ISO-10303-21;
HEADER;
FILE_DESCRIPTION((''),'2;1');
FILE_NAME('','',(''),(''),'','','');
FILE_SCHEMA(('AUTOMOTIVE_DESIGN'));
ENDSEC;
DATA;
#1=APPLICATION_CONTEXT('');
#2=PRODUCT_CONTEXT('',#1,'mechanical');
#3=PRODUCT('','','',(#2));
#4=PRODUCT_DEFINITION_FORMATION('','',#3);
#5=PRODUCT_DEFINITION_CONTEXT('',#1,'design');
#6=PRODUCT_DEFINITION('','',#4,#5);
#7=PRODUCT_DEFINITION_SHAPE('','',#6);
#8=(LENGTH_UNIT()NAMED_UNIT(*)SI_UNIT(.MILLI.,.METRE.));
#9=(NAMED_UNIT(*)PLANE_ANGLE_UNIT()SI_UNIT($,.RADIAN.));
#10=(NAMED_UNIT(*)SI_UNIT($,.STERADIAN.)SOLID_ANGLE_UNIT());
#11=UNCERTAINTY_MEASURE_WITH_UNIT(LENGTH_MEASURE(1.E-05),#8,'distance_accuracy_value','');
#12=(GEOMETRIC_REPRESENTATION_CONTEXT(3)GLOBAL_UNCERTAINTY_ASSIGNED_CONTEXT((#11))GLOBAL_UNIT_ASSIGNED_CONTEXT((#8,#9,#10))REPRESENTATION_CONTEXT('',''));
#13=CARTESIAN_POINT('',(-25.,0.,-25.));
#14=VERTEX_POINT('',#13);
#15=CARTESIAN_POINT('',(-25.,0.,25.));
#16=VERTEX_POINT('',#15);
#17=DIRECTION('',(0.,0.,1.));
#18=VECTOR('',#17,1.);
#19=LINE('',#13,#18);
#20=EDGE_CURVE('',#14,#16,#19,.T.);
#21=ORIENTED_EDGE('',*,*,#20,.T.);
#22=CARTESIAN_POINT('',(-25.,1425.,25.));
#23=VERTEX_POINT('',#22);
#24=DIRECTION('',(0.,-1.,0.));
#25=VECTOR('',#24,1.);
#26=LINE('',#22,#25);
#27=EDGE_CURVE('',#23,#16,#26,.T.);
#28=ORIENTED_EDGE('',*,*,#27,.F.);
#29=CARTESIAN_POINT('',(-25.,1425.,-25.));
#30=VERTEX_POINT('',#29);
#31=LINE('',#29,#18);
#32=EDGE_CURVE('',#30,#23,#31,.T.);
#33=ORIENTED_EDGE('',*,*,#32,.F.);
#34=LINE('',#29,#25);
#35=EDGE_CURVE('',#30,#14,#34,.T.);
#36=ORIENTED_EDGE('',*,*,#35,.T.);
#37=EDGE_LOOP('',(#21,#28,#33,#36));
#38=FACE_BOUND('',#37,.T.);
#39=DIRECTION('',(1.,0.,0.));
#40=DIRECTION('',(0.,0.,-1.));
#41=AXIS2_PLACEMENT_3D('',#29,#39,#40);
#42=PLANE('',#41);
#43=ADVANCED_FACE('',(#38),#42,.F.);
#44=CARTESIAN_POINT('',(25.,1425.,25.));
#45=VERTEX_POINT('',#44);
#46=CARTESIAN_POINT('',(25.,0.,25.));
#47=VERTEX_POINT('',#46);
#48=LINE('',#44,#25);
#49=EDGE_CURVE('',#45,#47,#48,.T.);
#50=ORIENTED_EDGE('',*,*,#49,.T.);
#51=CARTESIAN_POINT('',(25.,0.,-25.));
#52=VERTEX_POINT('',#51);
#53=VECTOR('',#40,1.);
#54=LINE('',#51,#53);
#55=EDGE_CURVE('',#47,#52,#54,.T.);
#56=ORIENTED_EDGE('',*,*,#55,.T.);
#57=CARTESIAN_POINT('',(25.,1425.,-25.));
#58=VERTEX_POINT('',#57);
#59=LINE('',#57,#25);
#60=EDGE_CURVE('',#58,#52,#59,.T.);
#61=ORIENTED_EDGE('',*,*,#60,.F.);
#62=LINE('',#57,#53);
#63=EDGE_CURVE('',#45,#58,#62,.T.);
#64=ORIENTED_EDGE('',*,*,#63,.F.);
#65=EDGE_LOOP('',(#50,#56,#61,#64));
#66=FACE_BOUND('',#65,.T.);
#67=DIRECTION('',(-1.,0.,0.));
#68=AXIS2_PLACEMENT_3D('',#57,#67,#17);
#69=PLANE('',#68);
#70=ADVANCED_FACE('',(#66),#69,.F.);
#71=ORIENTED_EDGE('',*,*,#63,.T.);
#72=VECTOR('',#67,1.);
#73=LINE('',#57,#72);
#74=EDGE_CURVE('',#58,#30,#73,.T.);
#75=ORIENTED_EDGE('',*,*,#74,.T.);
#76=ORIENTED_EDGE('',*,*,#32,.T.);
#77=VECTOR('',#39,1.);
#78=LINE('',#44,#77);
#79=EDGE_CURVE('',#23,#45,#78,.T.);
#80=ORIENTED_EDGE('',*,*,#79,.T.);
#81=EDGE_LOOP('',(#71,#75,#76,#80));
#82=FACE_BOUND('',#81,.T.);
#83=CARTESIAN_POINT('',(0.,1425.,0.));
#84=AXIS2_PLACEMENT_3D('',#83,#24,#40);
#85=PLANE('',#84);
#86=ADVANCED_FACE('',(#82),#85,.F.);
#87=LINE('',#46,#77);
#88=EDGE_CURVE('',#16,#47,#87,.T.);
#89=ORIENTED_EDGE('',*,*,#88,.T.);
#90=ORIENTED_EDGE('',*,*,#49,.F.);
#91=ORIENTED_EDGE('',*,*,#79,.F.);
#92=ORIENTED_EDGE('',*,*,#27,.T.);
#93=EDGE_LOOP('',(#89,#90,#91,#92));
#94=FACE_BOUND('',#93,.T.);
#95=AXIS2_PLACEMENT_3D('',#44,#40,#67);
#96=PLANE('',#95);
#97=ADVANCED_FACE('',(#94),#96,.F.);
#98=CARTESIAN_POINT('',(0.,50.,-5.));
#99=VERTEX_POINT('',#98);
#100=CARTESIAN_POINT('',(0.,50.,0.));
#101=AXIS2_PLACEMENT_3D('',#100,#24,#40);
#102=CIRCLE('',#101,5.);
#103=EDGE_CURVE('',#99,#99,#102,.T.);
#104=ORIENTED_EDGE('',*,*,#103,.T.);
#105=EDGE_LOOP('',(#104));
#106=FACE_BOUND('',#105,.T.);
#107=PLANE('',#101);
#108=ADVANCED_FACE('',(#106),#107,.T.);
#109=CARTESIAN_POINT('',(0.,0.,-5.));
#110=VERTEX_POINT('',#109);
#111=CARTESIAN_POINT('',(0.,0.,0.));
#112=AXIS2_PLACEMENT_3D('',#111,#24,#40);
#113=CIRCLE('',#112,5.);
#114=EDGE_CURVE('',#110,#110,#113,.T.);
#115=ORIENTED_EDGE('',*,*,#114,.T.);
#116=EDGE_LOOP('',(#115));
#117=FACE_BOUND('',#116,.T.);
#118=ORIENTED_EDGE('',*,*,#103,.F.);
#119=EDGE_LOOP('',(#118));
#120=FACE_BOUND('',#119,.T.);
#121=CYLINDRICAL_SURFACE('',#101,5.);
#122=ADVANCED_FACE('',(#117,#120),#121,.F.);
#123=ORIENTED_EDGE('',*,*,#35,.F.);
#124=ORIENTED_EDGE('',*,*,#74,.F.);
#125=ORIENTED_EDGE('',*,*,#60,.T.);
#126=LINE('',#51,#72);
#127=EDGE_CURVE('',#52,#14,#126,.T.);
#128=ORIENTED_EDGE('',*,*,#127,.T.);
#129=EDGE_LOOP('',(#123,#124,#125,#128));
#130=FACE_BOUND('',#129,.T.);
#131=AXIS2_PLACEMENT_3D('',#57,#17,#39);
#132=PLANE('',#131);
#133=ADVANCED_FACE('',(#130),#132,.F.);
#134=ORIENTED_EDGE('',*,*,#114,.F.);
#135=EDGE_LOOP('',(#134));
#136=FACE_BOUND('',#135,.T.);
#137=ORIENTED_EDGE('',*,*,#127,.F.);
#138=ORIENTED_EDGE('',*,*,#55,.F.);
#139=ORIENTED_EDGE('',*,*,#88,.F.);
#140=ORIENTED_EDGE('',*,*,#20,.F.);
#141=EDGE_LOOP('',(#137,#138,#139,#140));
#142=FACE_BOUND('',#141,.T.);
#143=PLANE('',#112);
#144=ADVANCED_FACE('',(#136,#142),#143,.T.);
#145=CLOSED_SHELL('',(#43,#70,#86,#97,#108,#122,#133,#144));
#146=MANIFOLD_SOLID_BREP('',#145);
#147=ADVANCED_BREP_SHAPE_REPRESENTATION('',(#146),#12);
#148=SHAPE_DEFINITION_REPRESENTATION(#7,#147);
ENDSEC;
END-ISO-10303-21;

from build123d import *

# Parameters (mm, degrees)
SKETCH_1_W          = 50
SKETCH_1_H          = 50
EXTRUDE_1_DEPTH     = 1425
SKETCH_2_R          = 5
CUT_EXTRUDE_1_DEPTH = 50


with BuildPart() as part:
    # Эскиз1 → Бобышка-Вытянуть1 (new body)
    with BuildSketch(Plane(origin=(0, 0, 0), x_dir=(1, 0, 0), z_dir=(0, 1, 0))):
        Rectangle(SKETCH_1_W, SKETCH_1_H)
    extrude(amount=EXTRUDE_1_DEPTH)

    # Эскиз2 → Вырез-Вытянуть1 (cut)
    with BuildSketch(Plane.XZ):
        with Locations(Location((0, 0, 0), (0, 0, 270))):
            Circle(SKETCH_2_R)
    extrude(amount=-CUT_EXTRUDE_1_DEPTH, mode=Mode.SUBTRACT)


solid = part.part
